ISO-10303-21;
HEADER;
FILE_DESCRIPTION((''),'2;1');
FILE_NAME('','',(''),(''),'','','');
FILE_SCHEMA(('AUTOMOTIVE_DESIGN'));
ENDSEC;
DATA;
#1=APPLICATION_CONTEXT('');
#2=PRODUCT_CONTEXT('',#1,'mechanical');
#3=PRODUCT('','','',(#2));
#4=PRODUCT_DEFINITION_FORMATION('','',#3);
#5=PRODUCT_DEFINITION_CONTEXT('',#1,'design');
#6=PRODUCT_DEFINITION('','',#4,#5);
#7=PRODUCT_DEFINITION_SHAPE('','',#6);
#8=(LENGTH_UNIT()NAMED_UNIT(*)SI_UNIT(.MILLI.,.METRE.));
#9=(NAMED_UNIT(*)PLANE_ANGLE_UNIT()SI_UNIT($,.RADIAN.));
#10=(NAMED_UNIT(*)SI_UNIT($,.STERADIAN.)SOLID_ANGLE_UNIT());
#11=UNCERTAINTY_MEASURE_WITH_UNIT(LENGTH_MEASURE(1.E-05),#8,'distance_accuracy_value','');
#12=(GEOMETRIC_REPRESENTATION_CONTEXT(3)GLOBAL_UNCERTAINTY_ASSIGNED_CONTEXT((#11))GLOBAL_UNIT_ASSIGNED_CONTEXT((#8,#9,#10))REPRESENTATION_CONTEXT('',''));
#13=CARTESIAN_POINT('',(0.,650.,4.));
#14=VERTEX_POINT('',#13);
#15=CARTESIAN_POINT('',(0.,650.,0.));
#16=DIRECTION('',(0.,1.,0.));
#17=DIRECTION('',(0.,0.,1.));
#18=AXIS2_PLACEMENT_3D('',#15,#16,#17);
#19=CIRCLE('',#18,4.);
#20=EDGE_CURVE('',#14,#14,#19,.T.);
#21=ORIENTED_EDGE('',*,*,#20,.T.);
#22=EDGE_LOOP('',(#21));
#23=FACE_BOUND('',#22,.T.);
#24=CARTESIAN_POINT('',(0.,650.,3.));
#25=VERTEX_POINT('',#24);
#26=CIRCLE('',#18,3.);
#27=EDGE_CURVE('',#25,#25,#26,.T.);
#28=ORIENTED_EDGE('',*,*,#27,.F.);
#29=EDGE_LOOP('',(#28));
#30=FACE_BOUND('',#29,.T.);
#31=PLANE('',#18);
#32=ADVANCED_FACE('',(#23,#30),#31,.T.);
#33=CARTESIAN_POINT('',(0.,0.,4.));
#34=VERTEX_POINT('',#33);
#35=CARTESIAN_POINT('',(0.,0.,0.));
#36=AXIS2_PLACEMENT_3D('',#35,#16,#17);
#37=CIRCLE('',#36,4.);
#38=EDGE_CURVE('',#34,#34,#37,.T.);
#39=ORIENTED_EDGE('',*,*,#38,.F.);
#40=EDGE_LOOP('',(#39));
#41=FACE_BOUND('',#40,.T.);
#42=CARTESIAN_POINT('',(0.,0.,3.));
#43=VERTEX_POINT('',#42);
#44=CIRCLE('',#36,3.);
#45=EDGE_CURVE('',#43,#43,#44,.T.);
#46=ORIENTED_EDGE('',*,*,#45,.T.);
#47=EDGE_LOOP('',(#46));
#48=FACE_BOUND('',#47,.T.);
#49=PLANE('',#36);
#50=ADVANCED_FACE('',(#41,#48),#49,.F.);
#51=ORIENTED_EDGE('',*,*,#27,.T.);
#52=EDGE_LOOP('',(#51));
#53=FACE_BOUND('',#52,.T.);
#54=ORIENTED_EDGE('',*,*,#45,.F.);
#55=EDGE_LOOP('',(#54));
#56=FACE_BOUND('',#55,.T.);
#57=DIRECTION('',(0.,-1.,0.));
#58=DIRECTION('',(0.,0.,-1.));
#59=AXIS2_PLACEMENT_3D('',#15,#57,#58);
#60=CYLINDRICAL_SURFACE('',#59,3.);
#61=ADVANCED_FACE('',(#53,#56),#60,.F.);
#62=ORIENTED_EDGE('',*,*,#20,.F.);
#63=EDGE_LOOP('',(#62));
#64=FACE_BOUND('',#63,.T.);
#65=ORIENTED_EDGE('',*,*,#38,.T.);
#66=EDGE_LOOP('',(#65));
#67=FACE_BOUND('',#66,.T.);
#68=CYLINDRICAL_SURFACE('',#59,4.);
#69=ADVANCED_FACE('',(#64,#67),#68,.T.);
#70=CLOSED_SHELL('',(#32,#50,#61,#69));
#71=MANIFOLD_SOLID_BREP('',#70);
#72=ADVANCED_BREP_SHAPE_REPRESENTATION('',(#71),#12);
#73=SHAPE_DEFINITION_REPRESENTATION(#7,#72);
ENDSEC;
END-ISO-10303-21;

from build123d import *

# Parameters (mm, degrees)
SZKIC1_R                    = 4
SZKIC1_R_2                  = 3
DODANIE_WYCI_GNI_CIE1_DEPTH = 650


with BuildPart() as part:
    # Szkic1 → Dodanie-wyciągnięcie1 (new body)
    with BuildSketch(Plane(origin=(0, 0, 0), x_dir=(1, 0, 0), z_dir=(0, 1, 0))):
        with Locations(Location((0, 0, 0), (0, 0, 270))):
            Circle(SZKIC1_R)
        with Locations(Location((0, 0, 0), (0, 0, 270))):
            Circle(SZKIC1_R_2, mode=Mode.SUBTRACT)
    extrude(amount=DODANIE_WYCI_GNI_CIE1_DEPTH)


solid = part.part
